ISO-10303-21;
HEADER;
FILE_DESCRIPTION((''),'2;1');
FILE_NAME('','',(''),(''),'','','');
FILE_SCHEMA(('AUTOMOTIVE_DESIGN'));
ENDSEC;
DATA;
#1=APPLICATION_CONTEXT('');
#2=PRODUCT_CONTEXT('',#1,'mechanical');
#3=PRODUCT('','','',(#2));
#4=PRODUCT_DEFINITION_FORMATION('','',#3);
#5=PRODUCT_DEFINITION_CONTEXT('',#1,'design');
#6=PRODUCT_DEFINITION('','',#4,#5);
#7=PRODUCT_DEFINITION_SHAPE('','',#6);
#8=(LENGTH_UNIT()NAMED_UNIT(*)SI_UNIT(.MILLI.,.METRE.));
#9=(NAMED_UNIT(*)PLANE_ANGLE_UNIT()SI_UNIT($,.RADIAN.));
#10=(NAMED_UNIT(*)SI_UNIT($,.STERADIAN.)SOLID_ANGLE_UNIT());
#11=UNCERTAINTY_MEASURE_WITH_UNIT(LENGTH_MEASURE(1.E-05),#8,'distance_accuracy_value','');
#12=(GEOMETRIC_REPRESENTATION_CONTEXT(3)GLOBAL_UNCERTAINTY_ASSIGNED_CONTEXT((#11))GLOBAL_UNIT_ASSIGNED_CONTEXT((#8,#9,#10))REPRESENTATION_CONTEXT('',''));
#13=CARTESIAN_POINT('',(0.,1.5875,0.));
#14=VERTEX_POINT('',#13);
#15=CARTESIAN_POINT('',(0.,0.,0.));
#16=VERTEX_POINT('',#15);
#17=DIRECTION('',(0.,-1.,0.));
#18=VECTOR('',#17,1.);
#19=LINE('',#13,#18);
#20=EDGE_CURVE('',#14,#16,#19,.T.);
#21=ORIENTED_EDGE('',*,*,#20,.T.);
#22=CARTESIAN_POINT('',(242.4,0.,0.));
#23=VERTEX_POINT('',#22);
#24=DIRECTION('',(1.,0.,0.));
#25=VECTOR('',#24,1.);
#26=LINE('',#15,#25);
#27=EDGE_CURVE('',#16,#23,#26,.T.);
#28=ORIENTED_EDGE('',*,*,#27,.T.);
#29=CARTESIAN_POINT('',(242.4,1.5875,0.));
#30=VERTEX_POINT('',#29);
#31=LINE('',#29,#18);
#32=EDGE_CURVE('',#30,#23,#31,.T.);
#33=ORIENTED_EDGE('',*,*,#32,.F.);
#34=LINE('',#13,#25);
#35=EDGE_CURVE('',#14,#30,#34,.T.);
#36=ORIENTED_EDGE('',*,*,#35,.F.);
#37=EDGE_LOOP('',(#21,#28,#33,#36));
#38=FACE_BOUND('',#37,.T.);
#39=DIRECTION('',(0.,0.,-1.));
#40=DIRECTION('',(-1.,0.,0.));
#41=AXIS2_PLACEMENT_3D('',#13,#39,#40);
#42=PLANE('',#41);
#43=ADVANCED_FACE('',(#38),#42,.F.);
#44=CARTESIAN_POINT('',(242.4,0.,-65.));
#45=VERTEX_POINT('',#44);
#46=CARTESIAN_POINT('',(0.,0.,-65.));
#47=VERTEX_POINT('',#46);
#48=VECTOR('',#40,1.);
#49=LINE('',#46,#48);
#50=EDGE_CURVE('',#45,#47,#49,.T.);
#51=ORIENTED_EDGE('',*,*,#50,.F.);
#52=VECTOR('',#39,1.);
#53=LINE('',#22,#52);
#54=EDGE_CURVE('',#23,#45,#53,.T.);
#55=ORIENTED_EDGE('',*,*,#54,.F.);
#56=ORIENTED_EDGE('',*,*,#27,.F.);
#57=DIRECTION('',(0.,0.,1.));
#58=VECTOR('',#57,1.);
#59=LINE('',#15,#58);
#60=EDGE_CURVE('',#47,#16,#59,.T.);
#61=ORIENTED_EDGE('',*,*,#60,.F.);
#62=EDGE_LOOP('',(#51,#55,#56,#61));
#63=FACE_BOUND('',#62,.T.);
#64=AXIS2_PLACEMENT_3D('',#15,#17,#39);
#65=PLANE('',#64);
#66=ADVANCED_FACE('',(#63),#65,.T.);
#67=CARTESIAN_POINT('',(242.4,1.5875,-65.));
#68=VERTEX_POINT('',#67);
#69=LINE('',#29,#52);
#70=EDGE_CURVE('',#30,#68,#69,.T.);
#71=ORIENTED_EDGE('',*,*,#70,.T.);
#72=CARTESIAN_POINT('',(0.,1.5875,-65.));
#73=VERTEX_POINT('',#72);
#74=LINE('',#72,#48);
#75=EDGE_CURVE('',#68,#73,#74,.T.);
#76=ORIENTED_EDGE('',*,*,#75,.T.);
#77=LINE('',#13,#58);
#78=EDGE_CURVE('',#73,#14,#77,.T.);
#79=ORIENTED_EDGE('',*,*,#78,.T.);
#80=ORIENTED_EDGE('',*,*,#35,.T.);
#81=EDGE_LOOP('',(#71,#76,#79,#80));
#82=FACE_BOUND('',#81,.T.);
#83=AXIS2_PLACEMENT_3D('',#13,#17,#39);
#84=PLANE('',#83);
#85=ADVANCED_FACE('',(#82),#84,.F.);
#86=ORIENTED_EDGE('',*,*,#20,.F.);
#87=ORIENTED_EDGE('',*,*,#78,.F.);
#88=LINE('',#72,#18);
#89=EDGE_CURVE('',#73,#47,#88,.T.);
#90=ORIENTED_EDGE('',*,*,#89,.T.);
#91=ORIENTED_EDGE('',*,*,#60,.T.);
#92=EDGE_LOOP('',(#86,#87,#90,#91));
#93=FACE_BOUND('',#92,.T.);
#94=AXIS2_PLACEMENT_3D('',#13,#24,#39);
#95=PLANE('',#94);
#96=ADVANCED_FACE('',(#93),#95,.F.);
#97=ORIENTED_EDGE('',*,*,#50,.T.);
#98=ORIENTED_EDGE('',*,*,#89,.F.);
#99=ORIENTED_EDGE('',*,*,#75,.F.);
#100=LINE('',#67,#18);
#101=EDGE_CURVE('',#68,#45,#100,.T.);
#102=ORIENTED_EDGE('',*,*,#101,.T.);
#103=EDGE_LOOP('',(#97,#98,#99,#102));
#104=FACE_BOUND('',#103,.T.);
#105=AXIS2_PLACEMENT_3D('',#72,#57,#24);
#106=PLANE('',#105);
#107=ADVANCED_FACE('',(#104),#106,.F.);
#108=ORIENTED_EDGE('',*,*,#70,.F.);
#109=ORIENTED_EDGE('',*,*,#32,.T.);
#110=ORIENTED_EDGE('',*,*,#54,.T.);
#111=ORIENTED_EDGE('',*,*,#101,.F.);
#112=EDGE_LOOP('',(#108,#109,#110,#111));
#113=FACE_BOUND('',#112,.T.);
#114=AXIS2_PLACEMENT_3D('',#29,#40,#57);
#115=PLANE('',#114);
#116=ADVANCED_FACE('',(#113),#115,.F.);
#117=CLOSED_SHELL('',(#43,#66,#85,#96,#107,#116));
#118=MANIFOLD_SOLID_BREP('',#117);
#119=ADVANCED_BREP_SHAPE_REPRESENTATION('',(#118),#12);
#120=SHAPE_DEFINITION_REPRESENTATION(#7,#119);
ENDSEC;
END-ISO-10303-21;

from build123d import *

# Parameters (mm, degrees)
SKETCH1_W           = 242.4
SKETCH1_H           = 65
BOSS_EXTRUDE1_DEPTH = 1.5875


with BuildPart() as part:
    # Sketch1 → Boss-Extrude1 (new body)
    with BuildSketch(Plane(origin=(0, 0, 0), x_dir=(1, 0, 0), z_dir=(0, 1, 0))):
        with Locations((121.2, 32.5)):
            Rectangle(SKETCH1_W, SKETCH1_H)
    extrude(amount=BOSS_EXTRUDE1_DEPTH)


solid = part.part
